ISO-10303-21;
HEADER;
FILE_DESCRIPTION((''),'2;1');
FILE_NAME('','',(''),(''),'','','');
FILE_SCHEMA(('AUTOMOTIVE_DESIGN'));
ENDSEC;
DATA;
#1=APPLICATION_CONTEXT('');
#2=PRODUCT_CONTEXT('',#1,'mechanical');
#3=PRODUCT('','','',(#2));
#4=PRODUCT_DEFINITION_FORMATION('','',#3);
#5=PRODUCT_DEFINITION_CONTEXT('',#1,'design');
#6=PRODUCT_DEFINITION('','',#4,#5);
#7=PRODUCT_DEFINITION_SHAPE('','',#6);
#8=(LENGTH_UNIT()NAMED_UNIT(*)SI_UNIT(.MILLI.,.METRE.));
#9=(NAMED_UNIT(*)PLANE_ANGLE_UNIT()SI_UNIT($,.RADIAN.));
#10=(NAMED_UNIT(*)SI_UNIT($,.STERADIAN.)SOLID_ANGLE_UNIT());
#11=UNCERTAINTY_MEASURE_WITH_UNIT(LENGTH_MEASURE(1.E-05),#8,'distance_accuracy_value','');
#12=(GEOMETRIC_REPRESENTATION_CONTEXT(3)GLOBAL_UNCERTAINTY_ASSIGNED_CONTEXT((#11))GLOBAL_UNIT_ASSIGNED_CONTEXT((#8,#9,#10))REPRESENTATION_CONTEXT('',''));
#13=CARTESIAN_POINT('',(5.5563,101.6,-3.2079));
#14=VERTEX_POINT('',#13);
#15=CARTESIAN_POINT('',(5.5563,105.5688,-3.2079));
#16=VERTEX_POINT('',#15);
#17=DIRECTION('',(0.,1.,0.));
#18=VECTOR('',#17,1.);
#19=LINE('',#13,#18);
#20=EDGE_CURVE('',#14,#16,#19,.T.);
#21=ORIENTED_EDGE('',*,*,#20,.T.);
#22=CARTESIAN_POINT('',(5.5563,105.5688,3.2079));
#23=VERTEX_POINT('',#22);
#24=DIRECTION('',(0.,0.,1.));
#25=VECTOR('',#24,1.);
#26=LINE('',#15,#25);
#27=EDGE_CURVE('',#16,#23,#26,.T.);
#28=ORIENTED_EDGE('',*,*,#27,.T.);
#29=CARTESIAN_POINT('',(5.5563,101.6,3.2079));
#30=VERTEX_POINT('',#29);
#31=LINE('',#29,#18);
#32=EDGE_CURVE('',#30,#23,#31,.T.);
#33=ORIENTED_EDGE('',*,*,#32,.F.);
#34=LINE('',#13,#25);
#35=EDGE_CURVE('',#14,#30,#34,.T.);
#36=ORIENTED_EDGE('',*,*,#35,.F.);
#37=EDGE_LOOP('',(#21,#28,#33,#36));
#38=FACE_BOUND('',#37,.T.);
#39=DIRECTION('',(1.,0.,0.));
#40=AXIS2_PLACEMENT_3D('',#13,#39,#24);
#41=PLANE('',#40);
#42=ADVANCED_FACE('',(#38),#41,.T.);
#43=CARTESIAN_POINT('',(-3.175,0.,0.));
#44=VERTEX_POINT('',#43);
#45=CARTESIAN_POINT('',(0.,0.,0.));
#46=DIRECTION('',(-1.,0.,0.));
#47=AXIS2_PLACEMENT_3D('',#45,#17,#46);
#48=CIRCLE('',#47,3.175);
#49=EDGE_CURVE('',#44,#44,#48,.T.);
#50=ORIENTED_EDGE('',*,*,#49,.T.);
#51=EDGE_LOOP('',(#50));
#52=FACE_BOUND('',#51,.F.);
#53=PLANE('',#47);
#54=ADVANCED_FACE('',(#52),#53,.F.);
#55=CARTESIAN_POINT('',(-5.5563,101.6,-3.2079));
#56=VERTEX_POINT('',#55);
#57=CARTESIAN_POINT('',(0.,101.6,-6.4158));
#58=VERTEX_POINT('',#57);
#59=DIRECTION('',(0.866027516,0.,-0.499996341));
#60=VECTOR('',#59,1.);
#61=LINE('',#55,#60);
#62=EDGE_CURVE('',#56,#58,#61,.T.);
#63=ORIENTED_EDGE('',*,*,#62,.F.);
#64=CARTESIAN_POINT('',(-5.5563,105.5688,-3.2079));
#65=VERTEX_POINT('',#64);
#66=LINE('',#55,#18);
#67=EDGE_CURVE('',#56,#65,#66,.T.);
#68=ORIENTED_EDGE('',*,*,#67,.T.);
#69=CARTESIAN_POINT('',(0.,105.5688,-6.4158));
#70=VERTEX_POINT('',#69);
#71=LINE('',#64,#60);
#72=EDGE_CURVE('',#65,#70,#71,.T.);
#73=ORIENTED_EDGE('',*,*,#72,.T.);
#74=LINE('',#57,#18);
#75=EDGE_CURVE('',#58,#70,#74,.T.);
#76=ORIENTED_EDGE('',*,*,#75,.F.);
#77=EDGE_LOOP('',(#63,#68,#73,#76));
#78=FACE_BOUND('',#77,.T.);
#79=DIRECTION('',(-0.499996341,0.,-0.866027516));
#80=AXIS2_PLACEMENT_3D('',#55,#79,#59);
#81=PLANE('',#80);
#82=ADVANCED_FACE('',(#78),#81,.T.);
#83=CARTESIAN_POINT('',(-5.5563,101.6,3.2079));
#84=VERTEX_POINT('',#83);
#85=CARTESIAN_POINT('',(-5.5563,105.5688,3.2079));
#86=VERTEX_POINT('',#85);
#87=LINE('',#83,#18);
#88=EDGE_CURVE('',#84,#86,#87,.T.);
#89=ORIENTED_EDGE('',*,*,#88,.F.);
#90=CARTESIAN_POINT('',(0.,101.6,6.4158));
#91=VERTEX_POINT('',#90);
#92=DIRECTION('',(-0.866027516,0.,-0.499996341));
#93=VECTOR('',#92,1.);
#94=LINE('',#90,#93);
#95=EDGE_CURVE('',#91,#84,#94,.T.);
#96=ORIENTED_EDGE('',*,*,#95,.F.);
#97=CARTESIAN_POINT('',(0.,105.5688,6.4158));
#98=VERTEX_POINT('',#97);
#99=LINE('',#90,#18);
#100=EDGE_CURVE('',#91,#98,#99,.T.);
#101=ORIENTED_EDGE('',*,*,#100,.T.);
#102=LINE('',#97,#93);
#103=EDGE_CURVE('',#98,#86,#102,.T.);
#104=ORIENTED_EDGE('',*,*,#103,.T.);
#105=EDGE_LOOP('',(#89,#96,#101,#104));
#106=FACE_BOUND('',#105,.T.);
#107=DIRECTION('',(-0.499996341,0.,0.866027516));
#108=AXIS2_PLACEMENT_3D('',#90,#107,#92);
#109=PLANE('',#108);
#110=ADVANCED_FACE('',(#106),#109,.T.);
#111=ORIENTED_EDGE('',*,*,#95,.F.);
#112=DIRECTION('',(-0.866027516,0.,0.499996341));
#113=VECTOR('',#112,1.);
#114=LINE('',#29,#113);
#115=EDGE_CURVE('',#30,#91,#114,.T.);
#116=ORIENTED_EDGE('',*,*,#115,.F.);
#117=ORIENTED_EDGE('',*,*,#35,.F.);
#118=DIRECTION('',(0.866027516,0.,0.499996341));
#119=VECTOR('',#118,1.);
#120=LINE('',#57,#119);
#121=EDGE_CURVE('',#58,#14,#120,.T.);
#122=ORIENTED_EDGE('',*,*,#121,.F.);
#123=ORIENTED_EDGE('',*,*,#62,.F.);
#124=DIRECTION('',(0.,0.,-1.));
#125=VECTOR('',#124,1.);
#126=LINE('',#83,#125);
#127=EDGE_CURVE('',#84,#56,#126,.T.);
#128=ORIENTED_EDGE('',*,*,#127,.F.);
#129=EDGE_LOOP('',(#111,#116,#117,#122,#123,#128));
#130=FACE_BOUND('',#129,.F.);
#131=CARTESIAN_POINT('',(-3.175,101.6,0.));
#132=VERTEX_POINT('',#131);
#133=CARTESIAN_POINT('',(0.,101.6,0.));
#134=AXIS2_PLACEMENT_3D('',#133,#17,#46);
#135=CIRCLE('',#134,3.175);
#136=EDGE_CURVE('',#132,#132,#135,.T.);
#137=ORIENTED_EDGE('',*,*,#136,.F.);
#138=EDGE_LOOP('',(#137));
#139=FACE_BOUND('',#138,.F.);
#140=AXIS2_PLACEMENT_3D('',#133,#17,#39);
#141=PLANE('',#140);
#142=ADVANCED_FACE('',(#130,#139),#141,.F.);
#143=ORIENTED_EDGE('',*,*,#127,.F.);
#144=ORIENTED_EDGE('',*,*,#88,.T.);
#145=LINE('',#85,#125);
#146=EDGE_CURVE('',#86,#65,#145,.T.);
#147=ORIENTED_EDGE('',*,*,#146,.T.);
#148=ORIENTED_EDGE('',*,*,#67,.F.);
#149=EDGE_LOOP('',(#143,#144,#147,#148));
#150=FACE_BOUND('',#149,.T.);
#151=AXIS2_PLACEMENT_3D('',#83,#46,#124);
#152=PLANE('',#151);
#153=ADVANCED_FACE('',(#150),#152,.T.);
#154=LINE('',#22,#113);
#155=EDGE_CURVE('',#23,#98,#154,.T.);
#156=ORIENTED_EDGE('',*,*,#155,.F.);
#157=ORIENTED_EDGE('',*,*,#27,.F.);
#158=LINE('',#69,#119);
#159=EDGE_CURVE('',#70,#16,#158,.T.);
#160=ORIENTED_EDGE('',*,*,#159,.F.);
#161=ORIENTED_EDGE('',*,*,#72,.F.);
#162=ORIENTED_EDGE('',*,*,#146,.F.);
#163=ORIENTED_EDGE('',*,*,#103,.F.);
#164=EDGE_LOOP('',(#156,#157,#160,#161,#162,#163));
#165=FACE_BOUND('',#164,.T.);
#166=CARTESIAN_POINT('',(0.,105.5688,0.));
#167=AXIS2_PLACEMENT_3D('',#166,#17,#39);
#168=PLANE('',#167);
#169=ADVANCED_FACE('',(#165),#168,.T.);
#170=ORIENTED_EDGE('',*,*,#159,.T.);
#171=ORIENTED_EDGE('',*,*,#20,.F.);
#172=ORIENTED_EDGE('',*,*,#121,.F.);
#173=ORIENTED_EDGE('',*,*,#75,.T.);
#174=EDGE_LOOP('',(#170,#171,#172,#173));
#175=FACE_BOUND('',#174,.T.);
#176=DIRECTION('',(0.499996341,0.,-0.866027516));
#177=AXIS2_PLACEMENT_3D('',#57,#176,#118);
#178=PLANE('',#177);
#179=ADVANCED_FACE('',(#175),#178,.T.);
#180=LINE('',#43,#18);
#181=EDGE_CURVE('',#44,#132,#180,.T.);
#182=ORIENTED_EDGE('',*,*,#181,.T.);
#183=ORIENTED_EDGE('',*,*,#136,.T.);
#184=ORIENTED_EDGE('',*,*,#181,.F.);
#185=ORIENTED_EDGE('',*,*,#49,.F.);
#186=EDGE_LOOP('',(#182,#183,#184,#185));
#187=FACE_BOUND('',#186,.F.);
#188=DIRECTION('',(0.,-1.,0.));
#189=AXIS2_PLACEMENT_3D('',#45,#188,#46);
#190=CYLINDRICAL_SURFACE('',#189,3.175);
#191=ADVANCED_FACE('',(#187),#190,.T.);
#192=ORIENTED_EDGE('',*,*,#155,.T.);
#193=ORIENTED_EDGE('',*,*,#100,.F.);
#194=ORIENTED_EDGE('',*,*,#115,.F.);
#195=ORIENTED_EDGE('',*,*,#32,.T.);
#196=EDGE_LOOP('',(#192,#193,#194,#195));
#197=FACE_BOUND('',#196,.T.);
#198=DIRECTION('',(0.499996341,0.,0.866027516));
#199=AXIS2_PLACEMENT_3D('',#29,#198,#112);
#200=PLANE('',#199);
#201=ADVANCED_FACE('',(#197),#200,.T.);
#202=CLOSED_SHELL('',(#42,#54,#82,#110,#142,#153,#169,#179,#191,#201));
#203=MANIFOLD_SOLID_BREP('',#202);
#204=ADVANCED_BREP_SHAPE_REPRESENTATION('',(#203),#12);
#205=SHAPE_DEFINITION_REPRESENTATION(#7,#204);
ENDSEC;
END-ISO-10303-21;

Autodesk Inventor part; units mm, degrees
ref_plane "YZ Plane" through (0, 0, 0) normal (1, 0, 0) x (0, 1, 0)
ref_plane "XZ Plane" through (0, 0, 0) normal (0, 1, 0) x (-1, 0, 0)
ref_plane "XY Plane" through (0, 0, 0) normal (0, 0, 1) x (1, 0, 0)
sketch "Sketch1" plane through (0, 0, 0) normal (0, 1, 0) x (-1, 0, 0)
  circle A0 centre (0, 0) radius 3.175
  dimension "d0" = 6.35
extrude "Extrusion1" add sketch "Sketch1" along normal blind 101.6
sketch "Sketch2" plane through (0, 101.6, 0) normal (0, 1, 0) x (1, 0, 0)
  circle A0 centre (0, 0) radius 3.175 projected
  line L0 (-5.5563, -3.2079) -> (-5.5563, 3.2079)
  line L1 (-5.5563, 3.2079) -> (0, 6.4158)
  line L2 (0, 6.4158) -> (5.5563, 3.2079)
  line L3 (5.5563, 3.2079) -> (5.5563, -3.2079)
  line L4 (5.5563, -3.2079) -> (0, -6.4158)
  line L5 (0, -6.4158) -> (-5.5563, -3.2079)
  dimension "d3" = 11.1125
  dimension "d4" = 11.1125
  dimension "d5" = 11.1125
  dimension "d6" = 120
  dimension "d7" = 120
  dimension "d8" = 5.5563
  dimension "d9" = 5.5563
  dimension "d10" = 5.5563
extrude "Extrusion2" add sketch "Sketch2" along normal blind 3.9688 contours A0 | L0 L1 L2 L3 L4 L5
thread "Thread1" size "1/4-20 UNC" class "2A" standard "ANSI Unified Screw Threads" length 25.4 offset 76.2
properties part number "mechanical stop bolt" material "Steel, Alloy"
